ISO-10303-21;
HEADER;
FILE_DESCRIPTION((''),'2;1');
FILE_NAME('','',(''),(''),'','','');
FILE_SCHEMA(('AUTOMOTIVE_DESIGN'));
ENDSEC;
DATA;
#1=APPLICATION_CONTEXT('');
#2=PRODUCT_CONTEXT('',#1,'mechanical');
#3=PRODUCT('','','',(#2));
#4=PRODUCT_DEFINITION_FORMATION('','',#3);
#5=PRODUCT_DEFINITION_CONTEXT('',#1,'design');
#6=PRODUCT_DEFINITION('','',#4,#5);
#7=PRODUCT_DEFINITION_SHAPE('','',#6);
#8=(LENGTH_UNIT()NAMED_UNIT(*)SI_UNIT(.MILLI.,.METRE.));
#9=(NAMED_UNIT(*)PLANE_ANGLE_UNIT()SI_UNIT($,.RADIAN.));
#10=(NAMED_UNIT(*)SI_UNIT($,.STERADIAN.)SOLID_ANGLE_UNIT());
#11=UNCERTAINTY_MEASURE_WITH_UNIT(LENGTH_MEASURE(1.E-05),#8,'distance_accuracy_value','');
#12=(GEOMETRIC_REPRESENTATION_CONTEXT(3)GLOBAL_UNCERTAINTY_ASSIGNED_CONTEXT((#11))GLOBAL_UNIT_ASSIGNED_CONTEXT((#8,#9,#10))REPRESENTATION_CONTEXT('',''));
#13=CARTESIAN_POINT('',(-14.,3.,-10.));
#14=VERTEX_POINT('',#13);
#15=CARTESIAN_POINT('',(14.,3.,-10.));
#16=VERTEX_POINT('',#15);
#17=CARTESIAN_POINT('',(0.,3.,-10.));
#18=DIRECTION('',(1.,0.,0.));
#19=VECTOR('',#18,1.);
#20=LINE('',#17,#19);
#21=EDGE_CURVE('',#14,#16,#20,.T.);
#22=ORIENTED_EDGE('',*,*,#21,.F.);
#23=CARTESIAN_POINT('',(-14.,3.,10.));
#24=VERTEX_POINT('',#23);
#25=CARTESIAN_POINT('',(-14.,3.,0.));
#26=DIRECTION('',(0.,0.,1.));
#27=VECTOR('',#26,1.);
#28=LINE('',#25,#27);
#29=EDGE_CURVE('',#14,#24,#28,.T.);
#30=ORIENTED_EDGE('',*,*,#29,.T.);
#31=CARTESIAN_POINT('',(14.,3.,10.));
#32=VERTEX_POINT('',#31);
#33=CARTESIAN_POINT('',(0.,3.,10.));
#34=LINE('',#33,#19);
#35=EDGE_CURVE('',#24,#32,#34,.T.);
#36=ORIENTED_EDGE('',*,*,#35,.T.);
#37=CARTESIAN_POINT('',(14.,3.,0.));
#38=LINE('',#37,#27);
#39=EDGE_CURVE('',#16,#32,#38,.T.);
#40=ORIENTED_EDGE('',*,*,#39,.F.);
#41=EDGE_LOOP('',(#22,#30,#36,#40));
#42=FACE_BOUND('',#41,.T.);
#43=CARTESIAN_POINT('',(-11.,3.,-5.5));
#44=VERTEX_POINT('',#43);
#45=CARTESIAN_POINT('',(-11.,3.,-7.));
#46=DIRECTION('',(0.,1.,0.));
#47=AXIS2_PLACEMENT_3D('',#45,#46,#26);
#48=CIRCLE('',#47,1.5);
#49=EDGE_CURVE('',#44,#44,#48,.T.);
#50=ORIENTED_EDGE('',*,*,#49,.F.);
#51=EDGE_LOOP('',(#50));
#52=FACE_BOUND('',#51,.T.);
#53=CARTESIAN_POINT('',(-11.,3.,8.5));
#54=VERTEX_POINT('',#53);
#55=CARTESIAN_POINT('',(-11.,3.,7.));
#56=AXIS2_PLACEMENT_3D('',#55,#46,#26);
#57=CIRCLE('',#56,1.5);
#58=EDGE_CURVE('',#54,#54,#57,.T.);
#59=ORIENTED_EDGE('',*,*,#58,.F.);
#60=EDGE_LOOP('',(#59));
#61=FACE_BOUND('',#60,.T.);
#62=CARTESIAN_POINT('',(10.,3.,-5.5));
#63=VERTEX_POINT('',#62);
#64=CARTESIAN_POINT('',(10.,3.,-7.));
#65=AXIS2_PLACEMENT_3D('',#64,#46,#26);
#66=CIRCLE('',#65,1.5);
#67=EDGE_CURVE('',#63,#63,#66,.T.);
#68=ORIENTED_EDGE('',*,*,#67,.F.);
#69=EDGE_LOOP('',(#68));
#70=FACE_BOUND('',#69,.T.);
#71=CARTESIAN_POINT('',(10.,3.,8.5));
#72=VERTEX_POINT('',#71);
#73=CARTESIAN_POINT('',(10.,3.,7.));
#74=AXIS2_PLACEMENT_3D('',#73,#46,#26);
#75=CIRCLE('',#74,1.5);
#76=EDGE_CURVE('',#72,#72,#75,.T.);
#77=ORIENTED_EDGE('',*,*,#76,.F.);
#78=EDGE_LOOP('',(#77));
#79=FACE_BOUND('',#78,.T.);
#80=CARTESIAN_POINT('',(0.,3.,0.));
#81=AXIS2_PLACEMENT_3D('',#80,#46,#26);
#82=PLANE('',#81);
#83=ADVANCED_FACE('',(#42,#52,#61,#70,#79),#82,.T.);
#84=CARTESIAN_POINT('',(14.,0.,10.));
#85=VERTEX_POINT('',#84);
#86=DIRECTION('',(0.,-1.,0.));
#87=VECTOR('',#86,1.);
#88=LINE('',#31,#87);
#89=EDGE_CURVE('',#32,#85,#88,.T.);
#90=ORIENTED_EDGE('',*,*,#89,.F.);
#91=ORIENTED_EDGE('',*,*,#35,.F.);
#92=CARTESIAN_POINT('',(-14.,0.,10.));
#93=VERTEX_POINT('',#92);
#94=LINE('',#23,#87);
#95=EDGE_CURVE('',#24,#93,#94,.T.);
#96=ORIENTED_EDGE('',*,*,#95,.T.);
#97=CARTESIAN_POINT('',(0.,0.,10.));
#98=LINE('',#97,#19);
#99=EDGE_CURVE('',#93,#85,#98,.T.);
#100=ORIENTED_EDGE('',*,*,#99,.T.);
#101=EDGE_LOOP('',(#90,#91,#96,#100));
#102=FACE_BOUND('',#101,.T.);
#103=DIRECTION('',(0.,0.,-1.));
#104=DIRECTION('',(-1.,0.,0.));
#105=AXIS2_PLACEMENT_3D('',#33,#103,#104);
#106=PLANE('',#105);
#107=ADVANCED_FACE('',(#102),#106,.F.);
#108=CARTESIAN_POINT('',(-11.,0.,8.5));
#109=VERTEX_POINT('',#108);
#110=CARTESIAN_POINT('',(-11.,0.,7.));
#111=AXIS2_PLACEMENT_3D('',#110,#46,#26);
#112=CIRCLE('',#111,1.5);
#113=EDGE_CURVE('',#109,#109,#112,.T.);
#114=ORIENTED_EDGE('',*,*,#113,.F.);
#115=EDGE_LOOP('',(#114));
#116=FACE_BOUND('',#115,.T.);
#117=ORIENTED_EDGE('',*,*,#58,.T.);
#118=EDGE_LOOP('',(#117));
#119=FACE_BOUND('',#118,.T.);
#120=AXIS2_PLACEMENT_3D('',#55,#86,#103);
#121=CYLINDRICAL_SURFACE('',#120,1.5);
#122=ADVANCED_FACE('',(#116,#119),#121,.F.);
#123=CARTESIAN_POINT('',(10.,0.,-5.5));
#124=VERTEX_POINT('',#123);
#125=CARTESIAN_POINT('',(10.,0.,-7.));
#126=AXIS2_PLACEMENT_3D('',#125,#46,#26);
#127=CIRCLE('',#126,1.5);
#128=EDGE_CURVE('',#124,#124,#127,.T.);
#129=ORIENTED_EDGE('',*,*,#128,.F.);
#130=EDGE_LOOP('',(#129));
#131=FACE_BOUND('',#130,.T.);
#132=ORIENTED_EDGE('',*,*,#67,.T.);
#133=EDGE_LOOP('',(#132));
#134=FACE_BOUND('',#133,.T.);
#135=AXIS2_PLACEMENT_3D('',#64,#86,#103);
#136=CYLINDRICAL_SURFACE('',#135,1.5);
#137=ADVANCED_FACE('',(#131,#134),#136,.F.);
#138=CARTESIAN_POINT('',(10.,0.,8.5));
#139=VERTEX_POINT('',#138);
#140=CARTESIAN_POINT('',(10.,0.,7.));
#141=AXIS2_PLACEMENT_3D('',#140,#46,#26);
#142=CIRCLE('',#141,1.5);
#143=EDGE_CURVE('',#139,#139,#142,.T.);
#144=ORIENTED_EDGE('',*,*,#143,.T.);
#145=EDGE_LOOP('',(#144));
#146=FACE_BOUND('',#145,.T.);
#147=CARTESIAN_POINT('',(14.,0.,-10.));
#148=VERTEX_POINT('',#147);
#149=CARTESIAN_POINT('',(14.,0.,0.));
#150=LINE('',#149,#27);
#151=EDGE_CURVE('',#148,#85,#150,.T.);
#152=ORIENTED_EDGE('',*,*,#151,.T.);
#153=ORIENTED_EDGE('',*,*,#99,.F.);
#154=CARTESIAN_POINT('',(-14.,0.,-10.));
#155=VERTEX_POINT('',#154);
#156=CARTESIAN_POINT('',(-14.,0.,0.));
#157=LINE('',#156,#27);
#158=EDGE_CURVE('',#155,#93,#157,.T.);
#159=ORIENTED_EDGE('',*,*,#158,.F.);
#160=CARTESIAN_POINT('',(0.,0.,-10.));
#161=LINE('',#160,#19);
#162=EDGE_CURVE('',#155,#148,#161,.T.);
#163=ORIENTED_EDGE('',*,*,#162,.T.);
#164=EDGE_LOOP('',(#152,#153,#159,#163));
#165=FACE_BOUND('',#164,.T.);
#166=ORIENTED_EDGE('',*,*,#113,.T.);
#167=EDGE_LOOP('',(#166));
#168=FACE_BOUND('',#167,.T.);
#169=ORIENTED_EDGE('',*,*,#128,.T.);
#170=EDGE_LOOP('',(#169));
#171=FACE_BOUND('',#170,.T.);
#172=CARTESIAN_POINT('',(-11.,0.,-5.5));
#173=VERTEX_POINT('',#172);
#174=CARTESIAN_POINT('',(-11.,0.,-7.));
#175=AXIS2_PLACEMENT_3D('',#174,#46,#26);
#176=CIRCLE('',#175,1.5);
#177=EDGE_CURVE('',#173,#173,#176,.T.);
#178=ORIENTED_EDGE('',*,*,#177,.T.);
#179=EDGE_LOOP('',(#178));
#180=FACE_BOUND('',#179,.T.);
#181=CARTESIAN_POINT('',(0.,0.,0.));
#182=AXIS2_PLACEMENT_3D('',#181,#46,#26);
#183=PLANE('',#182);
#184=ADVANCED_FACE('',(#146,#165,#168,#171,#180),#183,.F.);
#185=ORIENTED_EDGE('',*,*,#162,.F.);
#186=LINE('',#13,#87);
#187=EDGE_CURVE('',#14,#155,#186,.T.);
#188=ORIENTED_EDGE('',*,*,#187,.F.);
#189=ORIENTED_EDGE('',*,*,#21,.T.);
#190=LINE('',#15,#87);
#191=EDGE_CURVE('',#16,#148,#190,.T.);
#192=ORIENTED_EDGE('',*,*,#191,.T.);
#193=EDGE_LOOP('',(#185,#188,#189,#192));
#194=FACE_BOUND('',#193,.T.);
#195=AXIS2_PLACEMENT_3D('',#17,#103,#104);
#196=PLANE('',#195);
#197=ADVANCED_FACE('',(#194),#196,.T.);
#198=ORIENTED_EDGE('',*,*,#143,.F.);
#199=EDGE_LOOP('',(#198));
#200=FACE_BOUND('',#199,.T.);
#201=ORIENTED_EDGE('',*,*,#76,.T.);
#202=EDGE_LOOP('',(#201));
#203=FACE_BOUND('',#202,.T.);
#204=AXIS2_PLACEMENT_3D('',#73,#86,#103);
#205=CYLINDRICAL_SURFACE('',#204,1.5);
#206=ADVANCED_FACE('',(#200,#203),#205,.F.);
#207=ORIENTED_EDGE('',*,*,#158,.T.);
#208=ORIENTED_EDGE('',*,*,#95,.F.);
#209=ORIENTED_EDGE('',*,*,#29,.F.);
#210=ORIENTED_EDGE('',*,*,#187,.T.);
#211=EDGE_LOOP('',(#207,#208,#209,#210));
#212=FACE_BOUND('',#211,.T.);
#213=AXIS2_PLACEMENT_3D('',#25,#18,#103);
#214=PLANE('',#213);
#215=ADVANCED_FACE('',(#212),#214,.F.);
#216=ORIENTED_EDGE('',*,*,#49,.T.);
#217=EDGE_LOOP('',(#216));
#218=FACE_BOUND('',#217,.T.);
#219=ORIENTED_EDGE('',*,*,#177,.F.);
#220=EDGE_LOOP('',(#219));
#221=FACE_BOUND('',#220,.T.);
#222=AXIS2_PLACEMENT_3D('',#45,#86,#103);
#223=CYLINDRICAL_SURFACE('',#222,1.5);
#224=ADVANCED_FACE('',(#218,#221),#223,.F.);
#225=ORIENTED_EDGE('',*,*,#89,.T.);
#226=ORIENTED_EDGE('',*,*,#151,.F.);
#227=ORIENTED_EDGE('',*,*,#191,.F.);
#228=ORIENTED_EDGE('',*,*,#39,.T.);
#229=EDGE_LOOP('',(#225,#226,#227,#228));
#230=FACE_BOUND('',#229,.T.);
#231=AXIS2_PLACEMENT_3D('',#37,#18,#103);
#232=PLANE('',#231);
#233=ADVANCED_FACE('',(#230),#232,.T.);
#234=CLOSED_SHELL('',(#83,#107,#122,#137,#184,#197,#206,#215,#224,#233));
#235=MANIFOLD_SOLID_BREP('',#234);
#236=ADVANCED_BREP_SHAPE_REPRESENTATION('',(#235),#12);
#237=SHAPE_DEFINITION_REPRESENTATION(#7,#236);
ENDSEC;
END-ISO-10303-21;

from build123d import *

# Parameters (mm, degrees)
SKETCH1_W           = 28
SKETCH1_H           = 20
SKETCH1_R           = 1.5
BOSS_EXTRUDE1_DEPTH = 3


with BuildPart() as part:
    # Sketch1 → Boss-Extrude1 (new body)
    with BuildSketch(Plane(origin=(0, 0, 0), x_dir=(1, 0, 0), z_dir=(0, 1, 0))):
        Rectangle(SKETCH1_W, SKETCH1_H)
        with Locations(Location((10, -7, 0), (0, 0, 270))):
            Circle(SKETCH1_R, mode=Mode.SUBTRACT)
        with Locations(Location((-11, -7, 0), (0, 0, 270))):
            Circle(SKETCH1_R, mode=Mode.SUBTRACT)
        with Locations(Location((10, 7, 0), (0, 0, 270))):
            Circle(SKETCH1_R, mode=Mode.SUBTRACT)
        with Locations(Location((-11, 7, 0), (0, 0, 270))):
            Circle(SKETCH1_R, mode=Mode.SUBTRACT)
    extrude(amount=BOSS_EXTRUDE1_DEPTH)


solid = part.part
